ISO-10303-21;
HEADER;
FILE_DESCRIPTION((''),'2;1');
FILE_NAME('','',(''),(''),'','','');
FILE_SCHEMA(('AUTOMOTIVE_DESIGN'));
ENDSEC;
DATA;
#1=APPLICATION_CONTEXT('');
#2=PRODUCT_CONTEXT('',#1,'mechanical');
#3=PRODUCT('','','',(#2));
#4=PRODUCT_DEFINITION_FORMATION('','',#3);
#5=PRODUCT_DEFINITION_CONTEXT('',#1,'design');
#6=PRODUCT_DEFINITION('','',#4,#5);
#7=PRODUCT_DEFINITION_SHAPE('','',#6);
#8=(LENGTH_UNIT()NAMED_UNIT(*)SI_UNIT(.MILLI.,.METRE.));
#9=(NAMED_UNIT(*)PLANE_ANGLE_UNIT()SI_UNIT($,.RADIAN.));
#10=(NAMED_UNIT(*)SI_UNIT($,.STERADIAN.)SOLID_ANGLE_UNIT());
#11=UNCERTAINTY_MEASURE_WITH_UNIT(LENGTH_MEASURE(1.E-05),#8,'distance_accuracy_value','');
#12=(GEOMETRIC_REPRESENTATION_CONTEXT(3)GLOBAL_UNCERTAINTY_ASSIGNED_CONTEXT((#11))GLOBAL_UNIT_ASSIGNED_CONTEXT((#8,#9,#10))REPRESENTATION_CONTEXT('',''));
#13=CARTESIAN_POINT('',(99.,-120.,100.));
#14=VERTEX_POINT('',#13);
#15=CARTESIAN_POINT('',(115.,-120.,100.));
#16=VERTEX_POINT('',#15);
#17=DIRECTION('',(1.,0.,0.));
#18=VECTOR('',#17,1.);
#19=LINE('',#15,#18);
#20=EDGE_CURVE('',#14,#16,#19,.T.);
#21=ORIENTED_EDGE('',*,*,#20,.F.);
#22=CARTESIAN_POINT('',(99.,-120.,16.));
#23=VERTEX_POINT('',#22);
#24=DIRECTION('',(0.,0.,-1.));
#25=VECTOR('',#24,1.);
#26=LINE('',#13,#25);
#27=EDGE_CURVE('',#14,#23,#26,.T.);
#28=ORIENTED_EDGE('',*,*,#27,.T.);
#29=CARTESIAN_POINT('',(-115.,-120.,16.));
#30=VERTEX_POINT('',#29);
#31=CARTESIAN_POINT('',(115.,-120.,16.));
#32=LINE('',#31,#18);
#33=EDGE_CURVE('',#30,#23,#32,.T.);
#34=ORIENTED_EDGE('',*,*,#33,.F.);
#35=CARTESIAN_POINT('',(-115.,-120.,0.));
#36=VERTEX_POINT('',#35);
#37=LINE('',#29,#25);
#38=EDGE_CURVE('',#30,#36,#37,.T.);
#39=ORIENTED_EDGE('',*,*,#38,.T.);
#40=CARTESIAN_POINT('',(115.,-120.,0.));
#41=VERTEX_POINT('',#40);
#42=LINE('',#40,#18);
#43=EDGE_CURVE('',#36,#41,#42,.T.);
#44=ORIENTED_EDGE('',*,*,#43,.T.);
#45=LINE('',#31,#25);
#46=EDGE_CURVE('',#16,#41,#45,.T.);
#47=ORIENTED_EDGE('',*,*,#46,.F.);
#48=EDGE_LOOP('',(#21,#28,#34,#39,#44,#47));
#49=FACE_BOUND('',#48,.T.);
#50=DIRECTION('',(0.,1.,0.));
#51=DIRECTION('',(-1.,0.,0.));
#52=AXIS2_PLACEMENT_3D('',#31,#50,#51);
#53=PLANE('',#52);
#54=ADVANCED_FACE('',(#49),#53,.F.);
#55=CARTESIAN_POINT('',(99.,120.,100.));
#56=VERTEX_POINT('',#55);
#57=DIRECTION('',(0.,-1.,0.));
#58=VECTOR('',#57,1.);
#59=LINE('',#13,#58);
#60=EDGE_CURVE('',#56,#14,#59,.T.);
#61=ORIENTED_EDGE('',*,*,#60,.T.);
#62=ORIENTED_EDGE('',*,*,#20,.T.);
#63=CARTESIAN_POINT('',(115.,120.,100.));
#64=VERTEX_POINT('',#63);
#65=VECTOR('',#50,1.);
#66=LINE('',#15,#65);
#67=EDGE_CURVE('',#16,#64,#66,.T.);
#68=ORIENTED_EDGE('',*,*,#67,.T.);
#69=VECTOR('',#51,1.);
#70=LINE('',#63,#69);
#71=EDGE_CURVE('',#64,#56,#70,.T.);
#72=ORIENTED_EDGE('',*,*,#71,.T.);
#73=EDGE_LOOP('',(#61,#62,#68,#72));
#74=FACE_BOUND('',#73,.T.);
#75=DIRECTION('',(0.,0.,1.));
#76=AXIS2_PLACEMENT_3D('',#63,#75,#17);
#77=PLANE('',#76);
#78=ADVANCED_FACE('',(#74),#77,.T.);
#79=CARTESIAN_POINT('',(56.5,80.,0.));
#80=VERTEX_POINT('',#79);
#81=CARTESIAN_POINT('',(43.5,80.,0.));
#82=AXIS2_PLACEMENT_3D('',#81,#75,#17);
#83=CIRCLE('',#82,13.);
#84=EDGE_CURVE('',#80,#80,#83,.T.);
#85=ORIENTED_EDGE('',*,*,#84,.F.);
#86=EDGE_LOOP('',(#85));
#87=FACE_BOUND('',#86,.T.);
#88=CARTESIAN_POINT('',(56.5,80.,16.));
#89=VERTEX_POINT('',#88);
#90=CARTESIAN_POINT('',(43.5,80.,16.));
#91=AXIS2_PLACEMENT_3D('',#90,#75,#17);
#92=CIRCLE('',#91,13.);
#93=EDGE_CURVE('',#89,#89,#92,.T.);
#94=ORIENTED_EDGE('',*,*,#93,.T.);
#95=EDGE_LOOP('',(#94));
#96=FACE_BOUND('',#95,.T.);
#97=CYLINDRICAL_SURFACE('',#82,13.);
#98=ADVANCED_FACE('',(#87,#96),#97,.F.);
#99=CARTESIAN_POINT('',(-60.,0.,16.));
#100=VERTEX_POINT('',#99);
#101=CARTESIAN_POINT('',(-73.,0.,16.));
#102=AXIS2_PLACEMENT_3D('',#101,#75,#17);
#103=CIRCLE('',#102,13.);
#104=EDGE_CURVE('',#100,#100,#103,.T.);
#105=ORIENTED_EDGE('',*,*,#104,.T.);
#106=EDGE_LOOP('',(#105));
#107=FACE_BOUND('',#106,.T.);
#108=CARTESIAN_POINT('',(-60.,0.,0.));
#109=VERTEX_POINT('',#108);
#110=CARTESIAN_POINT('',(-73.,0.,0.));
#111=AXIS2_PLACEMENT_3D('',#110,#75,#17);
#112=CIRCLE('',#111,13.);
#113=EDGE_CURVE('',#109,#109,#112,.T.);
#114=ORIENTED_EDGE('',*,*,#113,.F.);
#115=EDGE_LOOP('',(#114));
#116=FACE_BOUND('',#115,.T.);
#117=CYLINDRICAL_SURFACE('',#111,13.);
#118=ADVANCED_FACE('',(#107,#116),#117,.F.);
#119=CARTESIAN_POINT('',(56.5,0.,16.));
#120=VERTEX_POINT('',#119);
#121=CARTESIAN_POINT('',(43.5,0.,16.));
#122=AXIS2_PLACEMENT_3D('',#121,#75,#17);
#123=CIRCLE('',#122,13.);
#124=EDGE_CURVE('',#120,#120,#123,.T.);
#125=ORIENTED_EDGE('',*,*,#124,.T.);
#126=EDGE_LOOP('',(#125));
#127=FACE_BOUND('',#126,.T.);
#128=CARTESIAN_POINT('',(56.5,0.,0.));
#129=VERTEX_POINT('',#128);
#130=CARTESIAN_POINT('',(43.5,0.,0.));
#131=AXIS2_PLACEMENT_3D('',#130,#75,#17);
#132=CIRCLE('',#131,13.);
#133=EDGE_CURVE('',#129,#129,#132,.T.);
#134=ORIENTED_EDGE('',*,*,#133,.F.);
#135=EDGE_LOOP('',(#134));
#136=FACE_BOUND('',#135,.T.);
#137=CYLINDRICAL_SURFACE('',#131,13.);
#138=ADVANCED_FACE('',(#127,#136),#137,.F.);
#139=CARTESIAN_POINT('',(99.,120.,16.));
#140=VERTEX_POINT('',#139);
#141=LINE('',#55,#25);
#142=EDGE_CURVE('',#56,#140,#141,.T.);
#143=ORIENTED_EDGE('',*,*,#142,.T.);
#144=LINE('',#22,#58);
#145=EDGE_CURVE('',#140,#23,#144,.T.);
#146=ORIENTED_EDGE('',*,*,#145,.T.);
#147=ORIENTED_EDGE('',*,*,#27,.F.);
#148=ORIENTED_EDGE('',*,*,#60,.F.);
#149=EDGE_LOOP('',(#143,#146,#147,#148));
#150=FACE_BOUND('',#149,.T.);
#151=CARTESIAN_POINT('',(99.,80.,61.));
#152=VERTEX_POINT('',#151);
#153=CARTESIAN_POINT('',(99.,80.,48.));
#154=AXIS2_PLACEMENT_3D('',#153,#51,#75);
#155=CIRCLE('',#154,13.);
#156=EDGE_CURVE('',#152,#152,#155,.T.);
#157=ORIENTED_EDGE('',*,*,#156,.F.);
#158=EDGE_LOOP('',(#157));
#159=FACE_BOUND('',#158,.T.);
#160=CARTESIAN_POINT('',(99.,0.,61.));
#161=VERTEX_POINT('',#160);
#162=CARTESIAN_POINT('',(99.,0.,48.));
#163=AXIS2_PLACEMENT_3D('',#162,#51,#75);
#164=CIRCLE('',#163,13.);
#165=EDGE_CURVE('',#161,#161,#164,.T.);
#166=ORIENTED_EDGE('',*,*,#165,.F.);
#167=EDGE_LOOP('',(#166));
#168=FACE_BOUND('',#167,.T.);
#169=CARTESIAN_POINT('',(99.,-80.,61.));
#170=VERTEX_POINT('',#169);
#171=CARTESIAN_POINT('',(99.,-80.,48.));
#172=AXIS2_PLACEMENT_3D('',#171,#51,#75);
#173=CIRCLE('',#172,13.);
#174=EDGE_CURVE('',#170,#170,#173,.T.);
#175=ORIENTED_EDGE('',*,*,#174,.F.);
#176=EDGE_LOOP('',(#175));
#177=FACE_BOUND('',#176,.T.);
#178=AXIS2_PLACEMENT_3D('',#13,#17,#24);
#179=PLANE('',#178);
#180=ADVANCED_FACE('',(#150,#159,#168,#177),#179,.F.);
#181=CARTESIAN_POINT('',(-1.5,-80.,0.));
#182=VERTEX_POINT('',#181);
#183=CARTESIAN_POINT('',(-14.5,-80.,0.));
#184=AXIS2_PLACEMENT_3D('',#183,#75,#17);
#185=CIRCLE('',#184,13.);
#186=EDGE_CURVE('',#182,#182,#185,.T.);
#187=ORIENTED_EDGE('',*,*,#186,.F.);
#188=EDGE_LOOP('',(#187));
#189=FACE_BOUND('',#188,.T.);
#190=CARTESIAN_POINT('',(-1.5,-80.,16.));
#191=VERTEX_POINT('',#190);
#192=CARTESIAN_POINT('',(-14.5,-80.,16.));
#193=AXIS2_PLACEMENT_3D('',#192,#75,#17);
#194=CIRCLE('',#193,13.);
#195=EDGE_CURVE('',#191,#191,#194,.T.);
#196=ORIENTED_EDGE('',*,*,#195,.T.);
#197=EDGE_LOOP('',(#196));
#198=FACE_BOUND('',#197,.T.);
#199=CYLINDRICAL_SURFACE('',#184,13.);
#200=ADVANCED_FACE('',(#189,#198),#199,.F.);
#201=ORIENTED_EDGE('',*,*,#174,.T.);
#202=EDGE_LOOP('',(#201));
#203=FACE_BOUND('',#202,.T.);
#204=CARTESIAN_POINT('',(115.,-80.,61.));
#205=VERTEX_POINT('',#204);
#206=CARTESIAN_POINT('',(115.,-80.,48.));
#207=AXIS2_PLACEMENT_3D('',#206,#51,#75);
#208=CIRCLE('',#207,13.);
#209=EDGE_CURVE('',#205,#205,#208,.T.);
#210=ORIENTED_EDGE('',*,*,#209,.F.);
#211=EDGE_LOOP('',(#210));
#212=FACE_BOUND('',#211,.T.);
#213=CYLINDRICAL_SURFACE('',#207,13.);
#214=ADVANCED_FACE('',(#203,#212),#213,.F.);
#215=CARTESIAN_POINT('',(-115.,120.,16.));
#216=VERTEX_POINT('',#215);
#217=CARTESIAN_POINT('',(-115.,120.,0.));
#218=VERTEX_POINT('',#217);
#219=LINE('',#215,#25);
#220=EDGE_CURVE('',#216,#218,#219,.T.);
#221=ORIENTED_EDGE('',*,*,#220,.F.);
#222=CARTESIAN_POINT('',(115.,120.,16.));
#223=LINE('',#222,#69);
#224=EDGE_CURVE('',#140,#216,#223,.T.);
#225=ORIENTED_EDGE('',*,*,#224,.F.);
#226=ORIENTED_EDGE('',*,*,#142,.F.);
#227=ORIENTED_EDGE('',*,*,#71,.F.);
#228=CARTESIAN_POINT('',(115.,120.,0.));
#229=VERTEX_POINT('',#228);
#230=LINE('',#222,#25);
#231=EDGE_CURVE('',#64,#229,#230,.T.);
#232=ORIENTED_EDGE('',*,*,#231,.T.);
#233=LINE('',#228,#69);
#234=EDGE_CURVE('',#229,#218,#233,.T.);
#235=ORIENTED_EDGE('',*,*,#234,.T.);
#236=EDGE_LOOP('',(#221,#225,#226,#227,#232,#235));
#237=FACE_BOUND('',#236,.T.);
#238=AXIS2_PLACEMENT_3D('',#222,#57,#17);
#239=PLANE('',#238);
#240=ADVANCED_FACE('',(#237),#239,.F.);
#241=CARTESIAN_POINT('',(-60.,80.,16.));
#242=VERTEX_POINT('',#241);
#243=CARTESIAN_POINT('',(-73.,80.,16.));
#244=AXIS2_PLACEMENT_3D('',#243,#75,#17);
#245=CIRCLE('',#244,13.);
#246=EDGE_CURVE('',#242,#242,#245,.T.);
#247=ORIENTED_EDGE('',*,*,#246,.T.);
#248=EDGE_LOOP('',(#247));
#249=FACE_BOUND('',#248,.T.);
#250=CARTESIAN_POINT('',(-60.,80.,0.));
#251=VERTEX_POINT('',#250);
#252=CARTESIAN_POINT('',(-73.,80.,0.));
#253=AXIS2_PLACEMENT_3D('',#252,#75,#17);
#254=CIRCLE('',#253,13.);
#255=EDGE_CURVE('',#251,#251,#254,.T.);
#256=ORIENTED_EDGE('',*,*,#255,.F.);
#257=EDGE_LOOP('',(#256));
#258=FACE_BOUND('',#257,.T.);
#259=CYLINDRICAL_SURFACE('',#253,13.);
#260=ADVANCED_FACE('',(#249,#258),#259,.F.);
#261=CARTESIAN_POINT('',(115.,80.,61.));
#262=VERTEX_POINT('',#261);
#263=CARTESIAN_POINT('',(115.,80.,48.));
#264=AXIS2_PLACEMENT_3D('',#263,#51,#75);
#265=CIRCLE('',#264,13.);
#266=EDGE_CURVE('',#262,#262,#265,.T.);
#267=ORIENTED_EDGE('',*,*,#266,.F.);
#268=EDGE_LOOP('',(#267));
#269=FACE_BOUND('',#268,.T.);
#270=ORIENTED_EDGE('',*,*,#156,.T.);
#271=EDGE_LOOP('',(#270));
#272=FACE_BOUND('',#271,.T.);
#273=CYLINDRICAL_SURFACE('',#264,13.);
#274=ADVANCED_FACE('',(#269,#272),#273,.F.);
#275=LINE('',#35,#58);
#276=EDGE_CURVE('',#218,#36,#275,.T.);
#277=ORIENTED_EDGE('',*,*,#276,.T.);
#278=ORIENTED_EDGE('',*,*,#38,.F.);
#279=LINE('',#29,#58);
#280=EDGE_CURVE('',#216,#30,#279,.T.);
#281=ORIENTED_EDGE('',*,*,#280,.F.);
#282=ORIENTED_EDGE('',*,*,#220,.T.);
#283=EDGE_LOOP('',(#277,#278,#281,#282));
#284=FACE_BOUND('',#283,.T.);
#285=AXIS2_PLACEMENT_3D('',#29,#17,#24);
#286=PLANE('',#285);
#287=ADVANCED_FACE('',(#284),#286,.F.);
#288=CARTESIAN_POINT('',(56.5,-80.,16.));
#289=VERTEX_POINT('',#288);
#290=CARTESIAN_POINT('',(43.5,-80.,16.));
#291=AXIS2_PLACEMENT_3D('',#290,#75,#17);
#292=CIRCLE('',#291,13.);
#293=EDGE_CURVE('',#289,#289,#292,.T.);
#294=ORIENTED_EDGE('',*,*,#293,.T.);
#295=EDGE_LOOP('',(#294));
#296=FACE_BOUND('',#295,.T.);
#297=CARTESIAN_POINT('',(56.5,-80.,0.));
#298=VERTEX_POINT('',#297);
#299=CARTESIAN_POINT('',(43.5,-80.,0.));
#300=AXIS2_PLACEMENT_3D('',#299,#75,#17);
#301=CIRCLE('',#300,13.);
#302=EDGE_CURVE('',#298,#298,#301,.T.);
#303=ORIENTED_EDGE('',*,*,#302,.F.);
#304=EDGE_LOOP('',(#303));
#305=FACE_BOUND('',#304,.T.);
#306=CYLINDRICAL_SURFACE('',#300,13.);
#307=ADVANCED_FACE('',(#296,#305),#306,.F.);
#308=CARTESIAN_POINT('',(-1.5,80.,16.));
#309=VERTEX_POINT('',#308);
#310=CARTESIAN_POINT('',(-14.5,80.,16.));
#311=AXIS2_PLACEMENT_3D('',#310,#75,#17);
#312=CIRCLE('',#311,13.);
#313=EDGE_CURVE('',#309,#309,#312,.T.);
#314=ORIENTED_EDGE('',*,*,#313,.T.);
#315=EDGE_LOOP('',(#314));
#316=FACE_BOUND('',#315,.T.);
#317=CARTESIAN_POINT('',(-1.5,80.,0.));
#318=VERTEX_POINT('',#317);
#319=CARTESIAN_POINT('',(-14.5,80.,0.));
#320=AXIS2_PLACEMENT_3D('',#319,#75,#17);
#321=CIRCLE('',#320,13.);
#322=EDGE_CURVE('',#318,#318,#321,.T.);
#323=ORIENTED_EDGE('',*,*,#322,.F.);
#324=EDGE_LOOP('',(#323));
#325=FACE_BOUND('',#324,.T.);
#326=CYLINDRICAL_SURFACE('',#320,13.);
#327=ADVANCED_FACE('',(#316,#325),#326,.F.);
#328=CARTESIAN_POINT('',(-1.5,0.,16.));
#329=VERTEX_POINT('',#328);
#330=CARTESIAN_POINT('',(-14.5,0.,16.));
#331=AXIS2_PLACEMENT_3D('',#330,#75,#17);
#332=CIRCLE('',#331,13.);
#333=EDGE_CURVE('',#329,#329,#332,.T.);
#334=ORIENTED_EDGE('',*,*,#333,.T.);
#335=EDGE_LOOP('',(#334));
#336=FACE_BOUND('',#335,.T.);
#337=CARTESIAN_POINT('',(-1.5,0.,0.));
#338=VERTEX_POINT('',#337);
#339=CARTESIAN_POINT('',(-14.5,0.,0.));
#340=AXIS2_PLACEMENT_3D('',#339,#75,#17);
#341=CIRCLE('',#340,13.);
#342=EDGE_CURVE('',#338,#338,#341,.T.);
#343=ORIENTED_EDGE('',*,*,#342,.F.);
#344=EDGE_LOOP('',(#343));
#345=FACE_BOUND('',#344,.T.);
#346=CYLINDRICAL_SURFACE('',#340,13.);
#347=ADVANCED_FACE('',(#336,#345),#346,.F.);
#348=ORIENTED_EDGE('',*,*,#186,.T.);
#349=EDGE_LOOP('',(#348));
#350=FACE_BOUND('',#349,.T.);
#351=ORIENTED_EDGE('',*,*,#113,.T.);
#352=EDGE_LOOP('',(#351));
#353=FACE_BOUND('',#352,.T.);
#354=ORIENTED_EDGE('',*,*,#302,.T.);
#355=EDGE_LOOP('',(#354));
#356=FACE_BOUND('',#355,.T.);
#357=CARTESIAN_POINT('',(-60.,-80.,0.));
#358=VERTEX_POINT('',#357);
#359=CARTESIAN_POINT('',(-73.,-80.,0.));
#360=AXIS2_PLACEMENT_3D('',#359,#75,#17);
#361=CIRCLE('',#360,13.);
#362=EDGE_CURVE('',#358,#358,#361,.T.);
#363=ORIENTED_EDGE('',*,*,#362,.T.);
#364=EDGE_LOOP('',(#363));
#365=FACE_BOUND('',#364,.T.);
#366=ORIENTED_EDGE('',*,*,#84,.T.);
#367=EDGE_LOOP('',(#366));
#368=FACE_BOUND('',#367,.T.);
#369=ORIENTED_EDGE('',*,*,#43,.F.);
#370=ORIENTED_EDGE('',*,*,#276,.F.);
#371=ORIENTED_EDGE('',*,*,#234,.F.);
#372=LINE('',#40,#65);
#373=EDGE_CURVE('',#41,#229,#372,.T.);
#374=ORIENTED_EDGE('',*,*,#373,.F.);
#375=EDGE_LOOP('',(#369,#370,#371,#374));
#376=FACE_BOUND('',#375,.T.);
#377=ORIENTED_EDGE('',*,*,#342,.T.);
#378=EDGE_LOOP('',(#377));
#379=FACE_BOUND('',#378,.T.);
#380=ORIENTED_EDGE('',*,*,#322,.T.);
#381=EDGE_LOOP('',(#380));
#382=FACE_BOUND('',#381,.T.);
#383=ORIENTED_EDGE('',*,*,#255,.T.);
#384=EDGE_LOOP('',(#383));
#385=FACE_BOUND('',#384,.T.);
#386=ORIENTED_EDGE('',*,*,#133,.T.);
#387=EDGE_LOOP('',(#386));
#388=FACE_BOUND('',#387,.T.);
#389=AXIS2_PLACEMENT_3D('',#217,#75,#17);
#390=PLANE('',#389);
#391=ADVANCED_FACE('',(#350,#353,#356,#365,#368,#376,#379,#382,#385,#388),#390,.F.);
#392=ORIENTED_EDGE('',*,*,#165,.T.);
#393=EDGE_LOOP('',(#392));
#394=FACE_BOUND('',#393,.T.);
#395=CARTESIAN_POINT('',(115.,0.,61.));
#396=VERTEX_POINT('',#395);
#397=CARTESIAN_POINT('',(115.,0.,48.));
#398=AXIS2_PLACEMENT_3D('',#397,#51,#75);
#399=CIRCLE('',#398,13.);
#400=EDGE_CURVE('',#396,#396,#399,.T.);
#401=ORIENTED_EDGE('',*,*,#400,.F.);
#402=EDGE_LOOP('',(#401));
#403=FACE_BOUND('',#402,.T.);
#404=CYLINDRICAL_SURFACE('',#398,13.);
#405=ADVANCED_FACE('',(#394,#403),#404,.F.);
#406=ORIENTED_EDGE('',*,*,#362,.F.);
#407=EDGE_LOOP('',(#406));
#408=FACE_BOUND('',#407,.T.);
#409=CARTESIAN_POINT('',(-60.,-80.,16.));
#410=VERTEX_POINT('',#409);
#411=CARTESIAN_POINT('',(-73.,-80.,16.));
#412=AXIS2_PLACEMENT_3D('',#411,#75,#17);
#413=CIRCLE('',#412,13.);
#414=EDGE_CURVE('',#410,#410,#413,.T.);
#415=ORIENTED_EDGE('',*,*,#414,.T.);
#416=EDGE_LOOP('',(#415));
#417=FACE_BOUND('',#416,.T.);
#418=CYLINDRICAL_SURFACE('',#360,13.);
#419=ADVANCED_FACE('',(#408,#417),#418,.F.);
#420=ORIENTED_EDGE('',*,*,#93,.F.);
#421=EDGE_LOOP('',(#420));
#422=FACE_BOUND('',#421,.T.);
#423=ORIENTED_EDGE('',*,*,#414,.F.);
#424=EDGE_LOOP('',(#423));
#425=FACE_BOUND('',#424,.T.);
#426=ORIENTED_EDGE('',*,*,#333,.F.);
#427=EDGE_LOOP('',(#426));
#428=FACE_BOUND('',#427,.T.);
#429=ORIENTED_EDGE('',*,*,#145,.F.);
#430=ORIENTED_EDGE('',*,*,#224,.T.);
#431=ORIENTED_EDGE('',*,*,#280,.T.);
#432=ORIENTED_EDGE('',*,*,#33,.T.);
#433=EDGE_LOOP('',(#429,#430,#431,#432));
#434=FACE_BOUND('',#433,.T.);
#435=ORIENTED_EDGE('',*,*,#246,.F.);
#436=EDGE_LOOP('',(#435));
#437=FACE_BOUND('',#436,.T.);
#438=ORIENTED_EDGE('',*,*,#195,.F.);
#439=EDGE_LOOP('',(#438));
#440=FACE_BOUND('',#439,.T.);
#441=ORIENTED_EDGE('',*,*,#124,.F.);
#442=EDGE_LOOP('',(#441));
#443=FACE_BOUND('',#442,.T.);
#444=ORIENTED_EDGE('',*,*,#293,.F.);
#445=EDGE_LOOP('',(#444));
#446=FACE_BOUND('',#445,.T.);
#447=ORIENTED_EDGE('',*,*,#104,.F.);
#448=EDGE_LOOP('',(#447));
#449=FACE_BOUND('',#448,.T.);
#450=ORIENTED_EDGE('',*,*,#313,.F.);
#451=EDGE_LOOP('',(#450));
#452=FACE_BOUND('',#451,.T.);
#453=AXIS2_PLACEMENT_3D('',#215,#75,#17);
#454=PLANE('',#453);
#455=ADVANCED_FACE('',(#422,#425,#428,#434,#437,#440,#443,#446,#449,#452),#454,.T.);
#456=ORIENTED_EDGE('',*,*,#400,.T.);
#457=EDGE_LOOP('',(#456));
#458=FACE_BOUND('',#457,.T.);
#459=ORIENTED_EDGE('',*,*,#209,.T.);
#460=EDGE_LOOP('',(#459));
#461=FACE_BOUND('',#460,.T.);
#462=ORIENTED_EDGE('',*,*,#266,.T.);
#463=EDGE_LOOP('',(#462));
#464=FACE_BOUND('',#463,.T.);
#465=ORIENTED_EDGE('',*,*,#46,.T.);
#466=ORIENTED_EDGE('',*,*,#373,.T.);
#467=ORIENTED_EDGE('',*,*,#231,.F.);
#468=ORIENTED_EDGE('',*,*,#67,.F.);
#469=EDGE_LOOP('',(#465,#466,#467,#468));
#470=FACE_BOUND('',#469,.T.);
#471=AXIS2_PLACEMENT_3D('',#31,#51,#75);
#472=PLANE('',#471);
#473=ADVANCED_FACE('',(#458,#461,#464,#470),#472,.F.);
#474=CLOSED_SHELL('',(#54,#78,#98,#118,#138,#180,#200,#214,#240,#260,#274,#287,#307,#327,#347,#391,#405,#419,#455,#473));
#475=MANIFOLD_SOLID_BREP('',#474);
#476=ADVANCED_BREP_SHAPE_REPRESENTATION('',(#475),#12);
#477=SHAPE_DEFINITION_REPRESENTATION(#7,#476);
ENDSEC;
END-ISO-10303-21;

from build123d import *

# Parameters (mm, degrees)
SKETCH_1_W             = 230
SKETCH_1_H             = 240
EXTRUDE_1_DEPTH        = 16
SKETCH_3_R             = 13
CUT_EXTRUDE_1_DEPTH    = 167.976046186
PATTERN_LINEAR_1_COUNT = 3
PATTERN_LINEAR_1_PITCH = 80
SKETCH_4_W             = 16
SKETCH_4_H             = 240
EXTRUDE_2_DEPTH        = 84
SKETCH_5_R             = 13
CUT_EXTRUDE_2_DEPTH    = 265.945277369
PATTERN_LINEAR_2_COUNT = 3
PATTERN_LINEAR_2_PITCH = 80


with BuildPart() as part:
    # 草图1 → 凸台-拉伸1 (new body)
    with BuildSketch(Plane.XY):
        Rectangle(SKETCH_1_W, SKETCH_1_H)
    extrude(amount=EXTRUDE_1_DEPTH)

    # 草图3 → 切除-拉伸1 (cut, through all)
    with BuildSketch(Plane.XY.offset(16)):
        with Locations((-73, 80)):
            Circle(SKETCH_3_R)
        with Locations((-14.5, 80)):
            Circle(SKETCH_3_R)
        with Locations((43.5, 80)):
            Circle(SKETCH_3_R)
    cut_extrude_1 = extrude(amount=-CUT_EXTRUDE_1_DEPTH, mode=Mode.SUBTRACT)

    # 阵列(线性)1: 切除-拉伸1 ×3
    with Locations(*[(0, -i * PATTERN_LINEAR_1_PITCH, 0) for i in range(1, PATTERN_LINEAR_1_COUNT)]):
        add(cut_extrude_1, mode=Mode.SUBTRACT)

    # 草图4 → 凸台-拉伸2 (add)
    with BuildSketch(Plane.XY.offset(16)):
        with Locations((107, 0)):
            Rectangle(SKETCH_4_W, SKETCH_4_H)
    extrude(amount=EXTRUDE_2_DEPTH)

    # 草图5 → 切除-拉伸2 (cut, through all)
    with BuildSketch(Plane.ZY.offset(-99)):
        with Locations((48, 80)):
            Circle(SKETCH_5_R)
    cut_extrude_2 = extrude(amount=-CUT_EXTRUDE_2_DEPTH, mode=Mode.SUBTRACT)

    # 阵列(线性)2: 切除-拉伸2 ×3
    with Locations(*[(0, -i * PATTERN_LINEAR_2_PITCH, 0) for i in range(1, PATTERN_LINEAR_2_COUNT)]):
        add(cut_extrude_2, mode=Mode.SUBTRACT)


solid = part.part
